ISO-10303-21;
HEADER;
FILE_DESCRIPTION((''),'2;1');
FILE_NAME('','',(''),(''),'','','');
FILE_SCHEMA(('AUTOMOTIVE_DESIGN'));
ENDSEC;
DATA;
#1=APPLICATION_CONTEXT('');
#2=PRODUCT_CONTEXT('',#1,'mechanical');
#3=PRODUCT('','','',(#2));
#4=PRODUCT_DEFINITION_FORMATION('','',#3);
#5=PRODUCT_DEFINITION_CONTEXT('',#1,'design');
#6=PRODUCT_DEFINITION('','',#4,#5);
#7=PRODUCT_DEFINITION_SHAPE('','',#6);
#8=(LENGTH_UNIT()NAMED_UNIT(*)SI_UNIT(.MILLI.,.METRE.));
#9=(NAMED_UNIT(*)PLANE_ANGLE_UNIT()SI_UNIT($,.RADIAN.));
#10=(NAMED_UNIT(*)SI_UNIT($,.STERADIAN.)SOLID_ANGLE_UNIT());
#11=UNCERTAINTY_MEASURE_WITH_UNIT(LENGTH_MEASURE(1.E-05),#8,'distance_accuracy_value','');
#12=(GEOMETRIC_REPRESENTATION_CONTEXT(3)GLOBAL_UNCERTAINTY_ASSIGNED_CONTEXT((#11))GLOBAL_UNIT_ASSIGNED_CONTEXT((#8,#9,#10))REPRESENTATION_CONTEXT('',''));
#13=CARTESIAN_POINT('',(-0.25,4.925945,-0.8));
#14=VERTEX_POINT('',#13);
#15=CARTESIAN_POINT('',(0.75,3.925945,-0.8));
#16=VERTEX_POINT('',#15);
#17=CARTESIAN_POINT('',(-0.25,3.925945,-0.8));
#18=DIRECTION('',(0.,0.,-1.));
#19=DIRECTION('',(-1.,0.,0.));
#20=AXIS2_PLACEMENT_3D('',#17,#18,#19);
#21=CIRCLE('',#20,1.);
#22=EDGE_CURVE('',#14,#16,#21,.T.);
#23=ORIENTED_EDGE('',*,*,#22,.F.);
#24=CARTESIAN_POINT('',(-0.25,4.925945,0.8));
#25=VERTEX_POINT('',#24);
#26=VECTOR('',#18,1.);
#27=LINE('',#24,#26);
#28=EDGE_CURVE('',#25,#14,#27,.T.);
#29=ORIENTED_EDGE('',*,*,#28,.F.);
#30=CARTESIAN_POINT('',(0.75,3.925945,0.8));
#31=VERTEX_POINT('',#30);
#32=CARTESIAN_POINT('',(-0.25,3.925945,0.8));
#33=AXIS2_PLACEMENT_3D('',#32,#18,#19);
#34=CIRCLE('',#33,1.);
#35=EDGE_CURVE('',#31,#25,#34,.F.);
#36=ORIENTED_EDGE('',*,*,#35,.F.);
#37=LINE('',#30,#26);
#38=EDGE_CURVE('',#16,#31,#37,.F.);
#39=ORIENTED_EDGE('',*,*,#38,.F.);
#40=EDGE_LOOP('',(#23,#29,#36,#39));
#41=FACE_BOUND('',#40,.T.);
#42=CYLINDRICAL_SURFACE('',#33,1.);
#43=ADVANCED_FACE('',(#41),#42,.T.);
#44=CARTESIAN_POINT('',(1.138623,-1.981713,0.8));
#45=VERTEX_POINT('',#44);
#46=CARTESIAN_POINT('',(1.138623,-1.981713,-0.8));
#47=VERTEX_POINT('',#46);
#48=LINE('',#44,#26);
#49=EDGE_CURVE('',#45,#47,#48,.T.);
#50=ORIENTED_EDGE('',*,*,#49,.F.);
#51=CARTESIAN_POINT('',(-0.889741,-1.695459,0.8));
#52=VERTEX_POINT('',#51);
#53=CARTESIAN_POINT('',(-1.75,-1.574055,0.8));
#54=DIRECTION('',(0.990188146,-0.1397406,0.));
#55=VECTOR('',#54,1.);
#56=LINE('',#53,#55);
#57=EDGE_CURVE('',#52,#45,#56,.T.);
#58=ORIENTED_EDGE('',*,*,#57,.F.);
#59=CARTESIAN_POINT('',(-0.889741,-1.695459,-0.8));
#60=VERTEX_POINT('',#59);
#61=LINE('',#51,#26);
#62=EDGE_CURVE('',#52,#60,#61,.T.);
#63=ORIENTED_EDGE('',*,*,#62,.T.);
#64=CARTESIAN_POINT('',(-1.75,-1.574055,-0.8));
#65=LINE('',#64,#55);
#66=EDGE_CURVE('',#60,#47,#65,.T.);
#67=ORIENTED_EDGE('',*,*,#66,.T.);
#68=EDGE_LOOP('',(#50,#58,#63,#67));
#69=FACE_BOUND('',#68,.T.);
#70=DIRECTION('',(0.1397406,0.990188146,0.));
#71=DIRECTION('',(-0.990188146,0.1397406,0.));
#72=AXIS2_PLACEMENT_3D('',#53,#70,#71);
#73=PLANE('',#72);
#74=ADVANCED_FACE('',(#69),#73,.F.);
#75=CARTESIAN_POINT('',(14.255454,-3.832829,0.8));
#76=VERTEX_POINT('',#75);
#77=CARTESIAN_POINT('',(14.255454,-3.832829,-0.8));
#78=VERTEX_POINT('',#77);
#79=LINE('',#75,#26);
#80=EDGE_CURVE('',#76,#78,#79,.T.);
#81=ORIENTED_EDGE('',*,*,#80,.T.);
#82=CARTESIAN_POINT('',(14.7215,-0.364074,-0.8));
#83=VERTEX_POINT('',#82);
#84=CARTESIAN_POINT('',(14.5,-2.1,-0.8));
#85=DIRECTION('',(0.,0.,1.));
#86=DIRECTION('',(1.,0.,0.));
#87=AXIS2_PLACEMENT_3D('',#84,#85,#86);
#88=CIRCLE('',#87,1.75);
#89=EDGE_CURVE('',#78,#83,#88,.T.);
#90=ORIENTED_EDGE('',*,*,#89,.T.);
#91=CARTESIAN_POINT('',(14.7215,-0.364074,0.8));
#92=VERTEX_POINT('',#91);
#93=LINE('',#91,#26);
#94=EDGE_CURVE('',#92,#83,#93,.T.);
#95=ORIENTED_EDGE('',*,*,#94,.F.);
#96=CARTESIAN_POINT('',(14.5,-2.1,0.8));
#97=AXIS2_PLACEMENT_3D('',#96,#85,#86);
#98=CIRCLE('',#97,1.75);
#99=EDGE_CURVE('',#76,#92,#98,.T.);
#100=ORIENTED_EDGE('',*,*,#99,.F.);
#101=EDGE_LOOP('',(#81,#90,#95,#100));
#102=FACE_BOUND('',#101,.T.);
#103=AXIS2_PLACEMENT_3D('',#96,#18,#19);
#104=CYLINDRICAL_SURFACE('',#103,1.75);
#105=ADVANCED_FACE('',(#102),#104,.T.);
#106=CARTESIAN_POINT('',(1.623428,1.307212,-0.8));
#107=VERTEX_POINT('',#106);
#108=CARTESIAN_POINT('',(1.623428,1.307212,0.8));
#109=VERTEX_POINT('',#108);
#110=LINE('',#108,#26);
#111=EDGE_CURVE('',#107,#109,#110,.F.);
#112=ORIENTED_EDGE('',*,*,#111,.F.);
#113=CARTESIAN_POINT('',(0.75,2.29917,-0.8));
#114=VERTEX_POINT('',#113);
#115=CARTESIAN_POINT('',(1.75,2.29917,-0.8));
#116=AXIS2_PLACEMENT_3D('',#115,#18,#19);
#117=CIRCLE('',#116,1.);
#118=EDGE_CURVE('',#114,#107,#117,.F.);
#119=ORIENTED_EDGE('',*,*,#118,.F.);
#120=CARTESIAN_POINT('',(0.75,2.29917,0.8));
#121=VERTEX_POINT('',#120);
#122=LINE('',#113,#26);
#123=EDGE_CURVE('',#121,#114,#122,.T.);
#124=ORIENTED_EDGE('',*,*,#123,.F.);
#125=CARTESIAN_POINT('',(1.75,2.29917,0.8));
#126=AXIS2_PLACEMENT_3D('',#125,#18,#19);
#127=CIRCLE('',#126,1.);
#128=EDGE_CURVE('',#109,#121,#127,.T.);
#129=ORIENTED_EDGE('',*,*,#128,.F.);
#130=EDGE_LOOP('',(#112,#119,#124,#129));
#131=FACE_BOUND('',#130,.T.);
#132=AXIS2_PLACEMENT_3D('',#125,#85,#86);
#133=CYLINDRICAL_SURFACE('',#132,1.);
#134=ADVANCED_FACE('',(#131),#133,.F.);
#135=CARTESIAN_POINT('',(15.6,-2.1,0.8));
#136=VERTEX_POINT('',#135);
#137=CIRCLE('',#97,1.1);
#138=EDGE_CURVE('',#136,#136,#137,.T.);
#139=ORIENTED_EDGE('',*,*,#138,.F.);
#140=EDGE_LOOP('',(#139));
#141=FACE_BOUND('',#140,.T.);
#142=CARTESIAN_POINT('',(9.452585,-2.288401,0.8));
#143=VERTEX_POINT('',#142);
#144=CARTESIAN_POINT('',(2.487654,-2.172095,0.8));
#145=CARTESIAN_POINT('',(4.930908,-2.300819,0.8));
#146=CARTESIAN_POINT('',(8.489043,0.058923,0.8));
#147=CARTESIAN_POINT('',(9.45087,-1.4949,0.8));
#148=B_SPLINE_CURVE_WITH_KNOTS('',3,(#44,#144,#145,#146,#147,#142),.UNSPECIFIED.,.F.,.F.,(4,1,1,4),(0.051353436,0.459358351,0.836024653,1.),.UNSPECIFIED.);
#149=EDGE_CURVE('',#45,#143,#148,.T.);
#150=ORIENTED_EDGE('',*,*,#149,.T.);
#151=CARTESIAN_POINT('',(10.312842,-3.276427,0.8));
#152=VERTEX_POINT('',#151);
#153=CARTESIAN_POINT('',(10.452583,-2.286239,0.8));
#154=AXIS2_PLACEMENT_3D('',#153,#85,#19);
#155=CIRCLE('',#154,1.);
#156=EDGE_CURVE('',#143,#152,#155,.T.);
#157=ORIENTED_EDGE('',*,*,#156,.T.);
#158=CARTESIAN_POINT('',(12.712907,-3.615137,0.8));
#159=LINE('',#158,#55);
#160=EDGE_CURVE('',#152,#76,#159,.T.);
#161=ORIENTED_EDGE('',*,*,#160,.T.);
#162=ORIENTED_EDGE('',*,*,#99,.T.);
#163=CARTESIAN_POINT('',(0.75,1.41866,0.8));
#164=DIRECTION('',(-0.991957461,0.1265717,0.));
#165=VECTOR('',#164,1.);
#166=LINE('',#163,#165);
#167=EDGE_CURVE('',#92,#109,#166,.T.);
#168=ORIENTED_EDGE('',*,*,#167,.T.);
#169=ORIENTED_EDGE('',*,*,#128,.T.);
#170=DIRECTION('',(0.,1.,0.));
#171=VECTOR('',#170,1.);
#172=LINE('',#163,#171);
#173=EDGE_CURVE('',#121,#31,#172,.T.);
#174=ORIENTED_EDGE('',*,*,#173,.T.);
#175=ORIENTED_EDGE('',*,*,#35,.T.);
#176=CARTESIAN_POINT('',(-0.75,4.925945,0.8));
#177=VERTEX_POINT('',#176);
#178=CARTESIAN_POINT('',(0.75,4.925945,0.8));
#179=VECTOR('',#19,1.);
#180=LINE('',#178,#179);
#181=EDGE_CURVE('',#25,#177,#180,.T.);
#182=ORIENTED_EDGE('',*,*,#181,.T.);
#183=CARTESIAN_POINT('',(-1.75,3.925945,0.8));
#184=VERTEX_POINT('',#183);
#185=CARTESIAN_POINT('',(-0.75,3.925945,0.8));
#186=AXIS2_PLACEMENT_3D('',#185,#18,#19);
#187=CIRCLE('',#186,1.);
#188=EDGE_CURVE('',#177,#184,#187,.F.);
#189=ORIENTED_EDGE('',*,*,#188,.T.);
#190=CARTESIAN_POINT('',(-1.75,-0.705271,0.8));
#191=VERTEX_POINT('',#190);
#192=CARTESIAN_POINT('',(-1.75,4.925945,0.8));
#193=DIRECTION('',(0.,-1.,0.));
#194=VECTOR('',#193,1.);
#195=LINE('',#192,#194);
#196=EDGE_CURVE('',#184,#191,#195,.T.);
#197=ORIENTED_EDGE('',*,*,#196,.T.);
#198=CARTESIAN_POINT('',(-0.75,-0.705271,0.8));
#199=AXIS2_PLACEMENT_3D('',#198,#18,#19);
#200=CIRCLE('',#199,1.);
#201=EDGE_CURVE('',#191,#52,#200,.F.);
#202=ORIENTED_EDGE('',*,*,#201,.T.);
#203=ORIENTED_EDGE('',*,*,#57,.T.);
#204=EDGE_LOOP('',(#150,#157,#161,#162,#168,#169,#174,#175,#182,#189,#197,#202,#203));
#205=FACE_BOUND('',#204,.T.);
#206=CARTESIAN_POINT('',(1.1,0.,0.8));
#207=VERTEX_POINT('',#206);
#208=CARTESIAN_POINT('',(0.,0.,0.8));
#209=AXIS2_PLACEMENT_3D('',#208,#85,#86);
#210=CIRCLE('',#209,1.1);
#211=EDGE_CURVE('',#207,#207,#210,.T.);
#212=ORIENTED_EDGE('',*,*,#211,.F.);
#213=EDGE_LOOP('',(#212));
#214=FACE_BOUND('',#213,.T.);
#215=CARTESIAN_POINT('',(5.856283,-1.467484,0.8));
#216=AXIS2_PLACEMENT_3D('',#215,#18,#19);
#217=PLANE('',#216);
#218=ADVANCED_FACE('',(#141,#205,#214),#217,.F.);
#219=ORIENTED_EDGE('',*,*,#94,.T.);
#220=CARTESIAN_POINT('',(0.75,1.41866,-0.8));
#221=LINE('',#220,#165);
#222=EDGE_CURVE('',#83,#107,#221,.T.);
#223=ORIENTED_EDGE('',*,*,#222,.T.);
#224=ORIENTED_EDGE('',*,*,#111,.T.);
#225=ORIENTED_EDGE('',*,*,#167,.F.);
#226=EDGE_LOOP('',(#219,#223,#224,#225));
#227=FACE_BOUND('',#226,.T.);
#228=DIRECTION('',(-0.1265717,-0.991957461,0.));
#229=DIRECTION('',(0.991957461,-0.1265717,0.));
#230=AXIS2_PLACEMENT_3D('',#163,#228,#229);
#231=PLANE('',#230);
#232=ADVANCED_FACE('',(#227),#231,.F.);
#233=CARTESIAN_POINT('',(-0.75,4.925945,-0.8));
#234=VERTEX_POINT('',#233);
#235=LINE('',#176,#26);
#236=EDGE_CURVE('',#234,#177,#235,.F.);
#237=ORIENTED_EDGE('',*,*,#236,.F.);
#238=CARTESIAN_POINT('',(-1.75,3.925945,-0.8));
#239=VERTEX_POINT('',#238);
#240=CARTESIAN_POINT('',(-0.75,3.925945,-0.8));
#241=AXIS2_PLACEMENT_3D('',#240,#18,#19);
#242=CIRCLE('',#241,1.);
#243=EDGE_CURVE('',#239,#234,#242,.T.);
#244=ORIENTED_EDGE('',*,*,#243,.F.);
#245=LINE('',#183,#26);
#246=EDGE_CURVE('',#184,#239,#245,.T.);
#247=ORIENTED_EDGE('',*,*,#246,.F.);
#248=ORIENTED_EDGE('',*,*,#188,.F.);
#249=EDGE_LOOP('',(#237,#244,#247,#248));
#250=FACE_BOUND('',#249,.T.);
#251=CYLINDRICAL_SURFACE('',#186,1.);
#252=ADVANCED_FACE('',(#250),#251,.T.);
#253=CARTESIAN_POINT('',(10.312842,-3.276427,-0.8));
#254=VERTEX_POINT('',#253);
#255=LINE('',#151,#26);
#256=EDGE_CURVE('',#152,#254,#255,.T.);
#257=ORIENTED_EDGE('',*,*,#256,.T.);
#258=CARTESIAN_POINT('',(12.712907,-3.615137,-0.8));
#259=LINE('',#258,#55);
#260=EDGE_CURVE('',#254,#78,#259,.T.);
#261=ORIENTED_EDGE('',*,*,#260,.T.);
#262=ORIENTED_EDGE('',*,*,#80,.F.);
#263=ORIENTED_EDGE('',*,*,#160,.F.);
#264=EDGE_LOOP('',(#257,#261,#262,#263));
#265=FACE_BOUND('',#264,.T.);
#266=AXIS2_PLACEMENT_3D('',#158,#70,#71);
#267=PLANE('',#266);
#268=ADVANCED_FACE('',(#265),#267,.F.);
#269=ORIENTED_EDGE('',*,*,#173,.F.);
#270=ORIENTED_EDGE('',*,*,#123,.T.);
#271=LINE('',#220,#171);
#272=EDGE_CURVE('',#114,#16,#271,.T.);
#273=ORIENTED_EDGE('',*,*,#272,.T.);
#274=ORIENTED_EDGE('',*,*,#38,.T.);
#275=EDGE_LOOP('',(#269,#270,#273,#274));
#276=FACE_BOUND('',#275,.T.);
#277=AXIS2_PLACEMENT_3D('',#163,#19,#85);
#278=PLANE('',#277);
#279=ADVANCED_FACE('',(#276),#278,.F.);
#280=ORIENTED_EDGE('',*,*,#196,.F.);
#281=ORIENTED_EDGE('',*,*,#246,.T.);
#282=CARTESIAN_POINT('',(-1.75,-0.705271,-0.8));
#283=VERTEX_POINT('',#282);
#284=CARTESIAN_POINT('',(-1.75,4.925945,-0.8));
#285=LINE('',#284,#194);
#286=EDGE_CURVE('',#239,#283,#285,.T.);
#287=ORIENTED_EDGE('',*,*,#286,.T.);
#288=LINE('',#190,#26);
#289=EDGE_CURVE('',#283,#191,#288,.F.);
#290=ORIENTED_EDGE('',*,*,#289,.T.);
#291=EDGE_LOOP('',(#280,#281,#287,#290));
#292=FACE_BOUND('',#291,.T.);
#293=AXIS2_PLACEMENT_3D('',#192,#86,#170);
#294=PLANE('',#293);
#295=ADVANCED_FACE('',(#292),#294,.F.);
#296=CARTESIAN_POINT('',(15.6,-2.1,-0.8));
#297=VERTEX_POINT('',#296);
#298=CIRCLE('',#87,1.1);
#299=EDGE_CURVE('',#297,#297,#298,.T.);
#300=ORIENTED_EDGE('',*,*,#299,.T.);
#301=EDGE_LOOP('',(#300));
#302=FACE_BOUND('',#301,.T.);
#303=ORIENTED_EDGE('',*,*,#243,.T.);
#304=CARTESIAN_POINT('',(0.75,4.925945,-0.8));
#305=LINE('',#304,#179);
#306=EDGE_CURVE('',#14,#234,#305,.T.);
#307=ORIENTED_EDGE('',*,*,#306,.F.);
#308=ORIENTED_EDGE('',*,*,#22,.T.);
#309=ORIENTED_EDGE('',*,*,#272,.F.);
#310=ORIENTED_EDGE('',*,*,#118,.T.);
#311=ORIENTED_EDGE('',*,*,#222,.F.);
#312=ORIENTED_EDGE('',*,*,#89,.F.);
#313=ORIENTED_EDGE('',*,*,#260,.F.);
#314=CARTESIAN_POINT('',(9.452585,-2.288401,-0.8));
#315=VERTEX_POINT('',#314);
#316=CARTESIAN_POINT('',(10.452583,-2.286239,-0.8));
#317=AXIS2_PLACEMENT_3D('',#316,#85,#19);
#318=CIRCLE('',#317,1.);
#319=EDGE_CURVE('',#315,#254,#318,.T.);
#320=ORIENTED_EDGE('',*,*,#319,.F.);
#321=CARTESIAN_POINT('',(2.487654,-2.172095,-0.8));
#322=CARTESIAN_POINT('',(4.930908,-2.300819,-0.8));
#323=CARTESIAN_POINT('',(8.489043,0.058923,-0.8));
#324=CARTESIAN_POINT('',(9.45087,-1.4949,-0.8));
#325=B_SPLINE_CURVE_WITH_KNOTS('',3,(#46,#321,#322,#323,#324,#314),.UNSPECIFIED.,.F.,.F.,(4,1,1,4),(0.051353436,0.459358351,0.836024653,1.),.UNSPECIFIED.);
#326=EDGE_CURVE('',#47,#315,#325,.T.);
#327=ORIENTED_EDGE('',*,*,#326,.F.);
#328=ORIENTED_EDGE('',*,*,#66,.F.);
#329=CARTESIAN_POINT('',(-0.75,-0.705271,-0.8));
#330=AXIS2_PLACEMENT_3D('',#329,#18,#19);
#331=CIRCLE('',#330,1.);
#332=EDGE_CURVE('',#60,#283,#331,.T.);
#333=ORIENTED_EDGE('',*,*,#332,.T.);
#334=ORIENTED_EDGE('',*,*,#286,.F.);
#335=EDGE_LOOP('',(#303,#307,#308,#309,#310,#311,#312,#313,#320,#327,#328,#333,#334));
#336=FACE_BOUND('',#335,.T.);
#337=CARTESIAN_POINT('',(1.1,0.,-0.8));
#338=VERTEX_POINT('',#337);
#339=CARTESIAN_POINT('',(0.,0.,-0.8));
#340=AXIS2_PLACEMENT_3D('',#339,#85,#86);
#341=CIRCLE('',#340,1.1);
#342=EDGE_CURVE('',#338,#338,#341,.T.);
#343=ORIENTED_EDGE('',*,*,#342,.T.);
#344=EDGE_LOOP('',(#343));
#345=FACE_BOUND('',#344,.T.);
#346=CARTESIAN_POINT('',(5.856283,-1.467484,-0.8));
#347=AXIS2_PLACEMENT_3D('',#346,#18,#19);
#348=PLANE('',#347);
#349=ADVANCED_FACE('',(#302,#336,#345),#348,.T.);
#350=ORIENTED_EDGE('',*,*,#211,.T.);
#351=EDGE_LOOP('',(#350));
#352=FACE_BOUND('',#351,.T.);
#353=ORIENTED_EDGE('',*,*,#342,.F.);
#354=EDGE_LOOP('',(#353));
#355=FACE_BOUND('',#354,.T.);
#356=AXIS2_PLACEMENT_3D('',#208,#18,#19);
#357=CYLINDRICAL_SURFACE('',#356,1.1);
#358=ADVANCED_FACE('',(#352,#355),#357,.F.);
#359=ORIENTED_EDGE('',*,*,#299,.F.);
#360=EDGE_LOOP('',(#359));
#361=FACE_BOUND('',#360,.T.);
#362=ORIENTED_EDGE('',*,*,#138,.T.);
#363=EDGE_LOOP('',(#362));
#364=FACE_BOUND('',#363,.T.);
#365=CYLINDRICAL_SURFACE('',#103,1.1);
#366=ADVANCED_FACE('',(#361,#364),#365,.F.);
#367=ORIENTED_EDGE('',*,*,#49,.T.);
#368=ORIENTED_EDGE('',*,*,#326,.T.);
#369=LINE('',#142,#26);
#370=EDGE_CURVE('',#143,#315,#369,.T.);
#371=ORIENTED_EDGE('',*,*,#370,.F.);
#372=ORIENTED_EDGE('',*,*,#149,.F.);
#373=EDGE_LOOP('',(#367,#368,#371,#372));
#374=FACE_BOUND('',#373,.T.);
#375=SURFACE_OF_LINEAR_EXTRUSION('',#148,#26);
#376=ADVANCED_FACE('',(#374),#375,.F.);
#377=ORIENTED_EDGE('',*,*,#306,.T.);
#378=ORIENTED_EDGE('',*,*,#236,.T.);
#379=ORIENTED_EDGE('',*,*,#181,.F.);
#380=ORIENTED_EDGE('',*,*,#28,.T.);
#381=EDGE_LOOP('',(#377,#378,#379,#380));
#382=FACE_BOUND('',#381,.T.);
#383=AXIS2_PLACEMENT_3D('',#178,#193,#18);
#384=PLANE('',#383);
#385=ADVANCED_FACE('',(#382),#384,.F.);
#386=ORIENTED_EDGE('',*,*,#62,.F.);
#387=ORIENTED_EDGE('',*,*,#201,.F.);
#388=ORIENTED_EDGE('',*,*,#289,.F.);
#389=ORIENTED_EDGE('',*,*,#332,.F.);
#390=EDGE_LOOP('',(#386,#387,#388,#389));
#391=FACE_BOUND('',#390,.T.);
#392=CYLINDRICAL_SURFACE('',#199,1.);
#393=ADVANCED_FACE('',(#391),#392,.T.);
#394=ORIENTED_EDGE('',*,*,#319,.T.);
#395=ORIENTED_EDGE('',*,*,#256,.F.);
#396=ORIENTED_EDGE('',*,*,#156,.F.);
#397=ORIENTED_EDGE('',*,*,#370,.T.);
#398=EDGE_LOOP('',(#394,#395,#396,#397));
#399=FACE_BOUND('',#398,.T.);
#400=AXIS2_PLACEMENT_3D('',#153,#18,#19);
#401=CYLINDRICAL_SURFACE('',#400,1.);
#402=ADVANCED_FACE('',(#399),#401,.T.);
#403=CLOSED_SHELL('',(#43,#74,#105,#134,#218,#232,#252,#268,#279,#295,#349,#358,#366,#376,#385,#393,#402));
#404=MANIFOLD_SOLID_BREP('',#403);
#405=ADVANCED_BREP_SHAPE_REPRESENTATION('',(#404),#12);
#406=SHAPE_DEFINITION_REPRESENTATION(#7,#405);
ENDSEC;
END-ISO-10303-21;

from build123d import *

# Parameters (mm, degrees)
SKETCH1_R           = 1.1
BOSS_EXTRUDE1_DEPTH = 0.8
FILLET1_R           = 1


with BuildPart() as part:
    # Sketch1 → Boss-Extrude1 (new, symmetric)
    with BuildSketch(Plane.XY):
        with BuildLine():
            Line((0.75, 1.418659837), (14.721500475, -0.364074443))
            ThreePointArc((14.721500475, -0.364074443), (16.234415683, -2.333028406), (14.255453949, -3.832829256))
            Line((14.255453949, -3.832829256), (12.712907233, -3.615136886))
            Line((12.712907233, -3.615136886), (10.312842352, -3.276427006))
            ThreePointArc((10.312842352, -3.276427006), (9.698394701, -2.942897128), (9.452585289, -2.288400506))
            add(Edge.make_bspline(
                [(9.452585289, -2.288400506), (9.450870019, -1.494900378), (8.489042718, 0.058923345), (4.930908227, -2.300819074), (2.487654104, -2.172094957), (1.138622907, -1.981712523)],
                knots=[0.051353436, 0.051353436, 0.051353436, 0.051353436, 0.215328782, 0.591995085, 1, 1, 1, 1], degree=3))
            Line((1.138622907, -1.981712523), (-1.75, -1.574054745))
            Line((-1.75, -1.574054745), (-1.75, 4.925945255))
            Line((-1.75, 4.925945255), (0.75, 4.925945255))
            Line((0.75, 4.925945255), (0.75, 1.418659837))
        make_face()
        with Locations((14.5, -2.1)):
            Circle(SKETCH1_R, mode=Mode.SUBTRACT)
        Circle(SKETCH1_R, mode=Mode.SUBTRACT)
    extrude(amount=BOSS_EXTRUDE1_DEPTH, both=True)

    # Fillet1
    fillet1_edges = [part.edges().sort_by_distance(p)[0] for p in [
        (0.75, 1.418659837, 0),
        (-1.75, -1.574054745, 0),
        (-1.75, 4.925945255, 0),
        (0.75, 4.925945255, 0),
    ]]
    fillet(fillet1_edges, radius=FILLET1_R)


solid = part.part
